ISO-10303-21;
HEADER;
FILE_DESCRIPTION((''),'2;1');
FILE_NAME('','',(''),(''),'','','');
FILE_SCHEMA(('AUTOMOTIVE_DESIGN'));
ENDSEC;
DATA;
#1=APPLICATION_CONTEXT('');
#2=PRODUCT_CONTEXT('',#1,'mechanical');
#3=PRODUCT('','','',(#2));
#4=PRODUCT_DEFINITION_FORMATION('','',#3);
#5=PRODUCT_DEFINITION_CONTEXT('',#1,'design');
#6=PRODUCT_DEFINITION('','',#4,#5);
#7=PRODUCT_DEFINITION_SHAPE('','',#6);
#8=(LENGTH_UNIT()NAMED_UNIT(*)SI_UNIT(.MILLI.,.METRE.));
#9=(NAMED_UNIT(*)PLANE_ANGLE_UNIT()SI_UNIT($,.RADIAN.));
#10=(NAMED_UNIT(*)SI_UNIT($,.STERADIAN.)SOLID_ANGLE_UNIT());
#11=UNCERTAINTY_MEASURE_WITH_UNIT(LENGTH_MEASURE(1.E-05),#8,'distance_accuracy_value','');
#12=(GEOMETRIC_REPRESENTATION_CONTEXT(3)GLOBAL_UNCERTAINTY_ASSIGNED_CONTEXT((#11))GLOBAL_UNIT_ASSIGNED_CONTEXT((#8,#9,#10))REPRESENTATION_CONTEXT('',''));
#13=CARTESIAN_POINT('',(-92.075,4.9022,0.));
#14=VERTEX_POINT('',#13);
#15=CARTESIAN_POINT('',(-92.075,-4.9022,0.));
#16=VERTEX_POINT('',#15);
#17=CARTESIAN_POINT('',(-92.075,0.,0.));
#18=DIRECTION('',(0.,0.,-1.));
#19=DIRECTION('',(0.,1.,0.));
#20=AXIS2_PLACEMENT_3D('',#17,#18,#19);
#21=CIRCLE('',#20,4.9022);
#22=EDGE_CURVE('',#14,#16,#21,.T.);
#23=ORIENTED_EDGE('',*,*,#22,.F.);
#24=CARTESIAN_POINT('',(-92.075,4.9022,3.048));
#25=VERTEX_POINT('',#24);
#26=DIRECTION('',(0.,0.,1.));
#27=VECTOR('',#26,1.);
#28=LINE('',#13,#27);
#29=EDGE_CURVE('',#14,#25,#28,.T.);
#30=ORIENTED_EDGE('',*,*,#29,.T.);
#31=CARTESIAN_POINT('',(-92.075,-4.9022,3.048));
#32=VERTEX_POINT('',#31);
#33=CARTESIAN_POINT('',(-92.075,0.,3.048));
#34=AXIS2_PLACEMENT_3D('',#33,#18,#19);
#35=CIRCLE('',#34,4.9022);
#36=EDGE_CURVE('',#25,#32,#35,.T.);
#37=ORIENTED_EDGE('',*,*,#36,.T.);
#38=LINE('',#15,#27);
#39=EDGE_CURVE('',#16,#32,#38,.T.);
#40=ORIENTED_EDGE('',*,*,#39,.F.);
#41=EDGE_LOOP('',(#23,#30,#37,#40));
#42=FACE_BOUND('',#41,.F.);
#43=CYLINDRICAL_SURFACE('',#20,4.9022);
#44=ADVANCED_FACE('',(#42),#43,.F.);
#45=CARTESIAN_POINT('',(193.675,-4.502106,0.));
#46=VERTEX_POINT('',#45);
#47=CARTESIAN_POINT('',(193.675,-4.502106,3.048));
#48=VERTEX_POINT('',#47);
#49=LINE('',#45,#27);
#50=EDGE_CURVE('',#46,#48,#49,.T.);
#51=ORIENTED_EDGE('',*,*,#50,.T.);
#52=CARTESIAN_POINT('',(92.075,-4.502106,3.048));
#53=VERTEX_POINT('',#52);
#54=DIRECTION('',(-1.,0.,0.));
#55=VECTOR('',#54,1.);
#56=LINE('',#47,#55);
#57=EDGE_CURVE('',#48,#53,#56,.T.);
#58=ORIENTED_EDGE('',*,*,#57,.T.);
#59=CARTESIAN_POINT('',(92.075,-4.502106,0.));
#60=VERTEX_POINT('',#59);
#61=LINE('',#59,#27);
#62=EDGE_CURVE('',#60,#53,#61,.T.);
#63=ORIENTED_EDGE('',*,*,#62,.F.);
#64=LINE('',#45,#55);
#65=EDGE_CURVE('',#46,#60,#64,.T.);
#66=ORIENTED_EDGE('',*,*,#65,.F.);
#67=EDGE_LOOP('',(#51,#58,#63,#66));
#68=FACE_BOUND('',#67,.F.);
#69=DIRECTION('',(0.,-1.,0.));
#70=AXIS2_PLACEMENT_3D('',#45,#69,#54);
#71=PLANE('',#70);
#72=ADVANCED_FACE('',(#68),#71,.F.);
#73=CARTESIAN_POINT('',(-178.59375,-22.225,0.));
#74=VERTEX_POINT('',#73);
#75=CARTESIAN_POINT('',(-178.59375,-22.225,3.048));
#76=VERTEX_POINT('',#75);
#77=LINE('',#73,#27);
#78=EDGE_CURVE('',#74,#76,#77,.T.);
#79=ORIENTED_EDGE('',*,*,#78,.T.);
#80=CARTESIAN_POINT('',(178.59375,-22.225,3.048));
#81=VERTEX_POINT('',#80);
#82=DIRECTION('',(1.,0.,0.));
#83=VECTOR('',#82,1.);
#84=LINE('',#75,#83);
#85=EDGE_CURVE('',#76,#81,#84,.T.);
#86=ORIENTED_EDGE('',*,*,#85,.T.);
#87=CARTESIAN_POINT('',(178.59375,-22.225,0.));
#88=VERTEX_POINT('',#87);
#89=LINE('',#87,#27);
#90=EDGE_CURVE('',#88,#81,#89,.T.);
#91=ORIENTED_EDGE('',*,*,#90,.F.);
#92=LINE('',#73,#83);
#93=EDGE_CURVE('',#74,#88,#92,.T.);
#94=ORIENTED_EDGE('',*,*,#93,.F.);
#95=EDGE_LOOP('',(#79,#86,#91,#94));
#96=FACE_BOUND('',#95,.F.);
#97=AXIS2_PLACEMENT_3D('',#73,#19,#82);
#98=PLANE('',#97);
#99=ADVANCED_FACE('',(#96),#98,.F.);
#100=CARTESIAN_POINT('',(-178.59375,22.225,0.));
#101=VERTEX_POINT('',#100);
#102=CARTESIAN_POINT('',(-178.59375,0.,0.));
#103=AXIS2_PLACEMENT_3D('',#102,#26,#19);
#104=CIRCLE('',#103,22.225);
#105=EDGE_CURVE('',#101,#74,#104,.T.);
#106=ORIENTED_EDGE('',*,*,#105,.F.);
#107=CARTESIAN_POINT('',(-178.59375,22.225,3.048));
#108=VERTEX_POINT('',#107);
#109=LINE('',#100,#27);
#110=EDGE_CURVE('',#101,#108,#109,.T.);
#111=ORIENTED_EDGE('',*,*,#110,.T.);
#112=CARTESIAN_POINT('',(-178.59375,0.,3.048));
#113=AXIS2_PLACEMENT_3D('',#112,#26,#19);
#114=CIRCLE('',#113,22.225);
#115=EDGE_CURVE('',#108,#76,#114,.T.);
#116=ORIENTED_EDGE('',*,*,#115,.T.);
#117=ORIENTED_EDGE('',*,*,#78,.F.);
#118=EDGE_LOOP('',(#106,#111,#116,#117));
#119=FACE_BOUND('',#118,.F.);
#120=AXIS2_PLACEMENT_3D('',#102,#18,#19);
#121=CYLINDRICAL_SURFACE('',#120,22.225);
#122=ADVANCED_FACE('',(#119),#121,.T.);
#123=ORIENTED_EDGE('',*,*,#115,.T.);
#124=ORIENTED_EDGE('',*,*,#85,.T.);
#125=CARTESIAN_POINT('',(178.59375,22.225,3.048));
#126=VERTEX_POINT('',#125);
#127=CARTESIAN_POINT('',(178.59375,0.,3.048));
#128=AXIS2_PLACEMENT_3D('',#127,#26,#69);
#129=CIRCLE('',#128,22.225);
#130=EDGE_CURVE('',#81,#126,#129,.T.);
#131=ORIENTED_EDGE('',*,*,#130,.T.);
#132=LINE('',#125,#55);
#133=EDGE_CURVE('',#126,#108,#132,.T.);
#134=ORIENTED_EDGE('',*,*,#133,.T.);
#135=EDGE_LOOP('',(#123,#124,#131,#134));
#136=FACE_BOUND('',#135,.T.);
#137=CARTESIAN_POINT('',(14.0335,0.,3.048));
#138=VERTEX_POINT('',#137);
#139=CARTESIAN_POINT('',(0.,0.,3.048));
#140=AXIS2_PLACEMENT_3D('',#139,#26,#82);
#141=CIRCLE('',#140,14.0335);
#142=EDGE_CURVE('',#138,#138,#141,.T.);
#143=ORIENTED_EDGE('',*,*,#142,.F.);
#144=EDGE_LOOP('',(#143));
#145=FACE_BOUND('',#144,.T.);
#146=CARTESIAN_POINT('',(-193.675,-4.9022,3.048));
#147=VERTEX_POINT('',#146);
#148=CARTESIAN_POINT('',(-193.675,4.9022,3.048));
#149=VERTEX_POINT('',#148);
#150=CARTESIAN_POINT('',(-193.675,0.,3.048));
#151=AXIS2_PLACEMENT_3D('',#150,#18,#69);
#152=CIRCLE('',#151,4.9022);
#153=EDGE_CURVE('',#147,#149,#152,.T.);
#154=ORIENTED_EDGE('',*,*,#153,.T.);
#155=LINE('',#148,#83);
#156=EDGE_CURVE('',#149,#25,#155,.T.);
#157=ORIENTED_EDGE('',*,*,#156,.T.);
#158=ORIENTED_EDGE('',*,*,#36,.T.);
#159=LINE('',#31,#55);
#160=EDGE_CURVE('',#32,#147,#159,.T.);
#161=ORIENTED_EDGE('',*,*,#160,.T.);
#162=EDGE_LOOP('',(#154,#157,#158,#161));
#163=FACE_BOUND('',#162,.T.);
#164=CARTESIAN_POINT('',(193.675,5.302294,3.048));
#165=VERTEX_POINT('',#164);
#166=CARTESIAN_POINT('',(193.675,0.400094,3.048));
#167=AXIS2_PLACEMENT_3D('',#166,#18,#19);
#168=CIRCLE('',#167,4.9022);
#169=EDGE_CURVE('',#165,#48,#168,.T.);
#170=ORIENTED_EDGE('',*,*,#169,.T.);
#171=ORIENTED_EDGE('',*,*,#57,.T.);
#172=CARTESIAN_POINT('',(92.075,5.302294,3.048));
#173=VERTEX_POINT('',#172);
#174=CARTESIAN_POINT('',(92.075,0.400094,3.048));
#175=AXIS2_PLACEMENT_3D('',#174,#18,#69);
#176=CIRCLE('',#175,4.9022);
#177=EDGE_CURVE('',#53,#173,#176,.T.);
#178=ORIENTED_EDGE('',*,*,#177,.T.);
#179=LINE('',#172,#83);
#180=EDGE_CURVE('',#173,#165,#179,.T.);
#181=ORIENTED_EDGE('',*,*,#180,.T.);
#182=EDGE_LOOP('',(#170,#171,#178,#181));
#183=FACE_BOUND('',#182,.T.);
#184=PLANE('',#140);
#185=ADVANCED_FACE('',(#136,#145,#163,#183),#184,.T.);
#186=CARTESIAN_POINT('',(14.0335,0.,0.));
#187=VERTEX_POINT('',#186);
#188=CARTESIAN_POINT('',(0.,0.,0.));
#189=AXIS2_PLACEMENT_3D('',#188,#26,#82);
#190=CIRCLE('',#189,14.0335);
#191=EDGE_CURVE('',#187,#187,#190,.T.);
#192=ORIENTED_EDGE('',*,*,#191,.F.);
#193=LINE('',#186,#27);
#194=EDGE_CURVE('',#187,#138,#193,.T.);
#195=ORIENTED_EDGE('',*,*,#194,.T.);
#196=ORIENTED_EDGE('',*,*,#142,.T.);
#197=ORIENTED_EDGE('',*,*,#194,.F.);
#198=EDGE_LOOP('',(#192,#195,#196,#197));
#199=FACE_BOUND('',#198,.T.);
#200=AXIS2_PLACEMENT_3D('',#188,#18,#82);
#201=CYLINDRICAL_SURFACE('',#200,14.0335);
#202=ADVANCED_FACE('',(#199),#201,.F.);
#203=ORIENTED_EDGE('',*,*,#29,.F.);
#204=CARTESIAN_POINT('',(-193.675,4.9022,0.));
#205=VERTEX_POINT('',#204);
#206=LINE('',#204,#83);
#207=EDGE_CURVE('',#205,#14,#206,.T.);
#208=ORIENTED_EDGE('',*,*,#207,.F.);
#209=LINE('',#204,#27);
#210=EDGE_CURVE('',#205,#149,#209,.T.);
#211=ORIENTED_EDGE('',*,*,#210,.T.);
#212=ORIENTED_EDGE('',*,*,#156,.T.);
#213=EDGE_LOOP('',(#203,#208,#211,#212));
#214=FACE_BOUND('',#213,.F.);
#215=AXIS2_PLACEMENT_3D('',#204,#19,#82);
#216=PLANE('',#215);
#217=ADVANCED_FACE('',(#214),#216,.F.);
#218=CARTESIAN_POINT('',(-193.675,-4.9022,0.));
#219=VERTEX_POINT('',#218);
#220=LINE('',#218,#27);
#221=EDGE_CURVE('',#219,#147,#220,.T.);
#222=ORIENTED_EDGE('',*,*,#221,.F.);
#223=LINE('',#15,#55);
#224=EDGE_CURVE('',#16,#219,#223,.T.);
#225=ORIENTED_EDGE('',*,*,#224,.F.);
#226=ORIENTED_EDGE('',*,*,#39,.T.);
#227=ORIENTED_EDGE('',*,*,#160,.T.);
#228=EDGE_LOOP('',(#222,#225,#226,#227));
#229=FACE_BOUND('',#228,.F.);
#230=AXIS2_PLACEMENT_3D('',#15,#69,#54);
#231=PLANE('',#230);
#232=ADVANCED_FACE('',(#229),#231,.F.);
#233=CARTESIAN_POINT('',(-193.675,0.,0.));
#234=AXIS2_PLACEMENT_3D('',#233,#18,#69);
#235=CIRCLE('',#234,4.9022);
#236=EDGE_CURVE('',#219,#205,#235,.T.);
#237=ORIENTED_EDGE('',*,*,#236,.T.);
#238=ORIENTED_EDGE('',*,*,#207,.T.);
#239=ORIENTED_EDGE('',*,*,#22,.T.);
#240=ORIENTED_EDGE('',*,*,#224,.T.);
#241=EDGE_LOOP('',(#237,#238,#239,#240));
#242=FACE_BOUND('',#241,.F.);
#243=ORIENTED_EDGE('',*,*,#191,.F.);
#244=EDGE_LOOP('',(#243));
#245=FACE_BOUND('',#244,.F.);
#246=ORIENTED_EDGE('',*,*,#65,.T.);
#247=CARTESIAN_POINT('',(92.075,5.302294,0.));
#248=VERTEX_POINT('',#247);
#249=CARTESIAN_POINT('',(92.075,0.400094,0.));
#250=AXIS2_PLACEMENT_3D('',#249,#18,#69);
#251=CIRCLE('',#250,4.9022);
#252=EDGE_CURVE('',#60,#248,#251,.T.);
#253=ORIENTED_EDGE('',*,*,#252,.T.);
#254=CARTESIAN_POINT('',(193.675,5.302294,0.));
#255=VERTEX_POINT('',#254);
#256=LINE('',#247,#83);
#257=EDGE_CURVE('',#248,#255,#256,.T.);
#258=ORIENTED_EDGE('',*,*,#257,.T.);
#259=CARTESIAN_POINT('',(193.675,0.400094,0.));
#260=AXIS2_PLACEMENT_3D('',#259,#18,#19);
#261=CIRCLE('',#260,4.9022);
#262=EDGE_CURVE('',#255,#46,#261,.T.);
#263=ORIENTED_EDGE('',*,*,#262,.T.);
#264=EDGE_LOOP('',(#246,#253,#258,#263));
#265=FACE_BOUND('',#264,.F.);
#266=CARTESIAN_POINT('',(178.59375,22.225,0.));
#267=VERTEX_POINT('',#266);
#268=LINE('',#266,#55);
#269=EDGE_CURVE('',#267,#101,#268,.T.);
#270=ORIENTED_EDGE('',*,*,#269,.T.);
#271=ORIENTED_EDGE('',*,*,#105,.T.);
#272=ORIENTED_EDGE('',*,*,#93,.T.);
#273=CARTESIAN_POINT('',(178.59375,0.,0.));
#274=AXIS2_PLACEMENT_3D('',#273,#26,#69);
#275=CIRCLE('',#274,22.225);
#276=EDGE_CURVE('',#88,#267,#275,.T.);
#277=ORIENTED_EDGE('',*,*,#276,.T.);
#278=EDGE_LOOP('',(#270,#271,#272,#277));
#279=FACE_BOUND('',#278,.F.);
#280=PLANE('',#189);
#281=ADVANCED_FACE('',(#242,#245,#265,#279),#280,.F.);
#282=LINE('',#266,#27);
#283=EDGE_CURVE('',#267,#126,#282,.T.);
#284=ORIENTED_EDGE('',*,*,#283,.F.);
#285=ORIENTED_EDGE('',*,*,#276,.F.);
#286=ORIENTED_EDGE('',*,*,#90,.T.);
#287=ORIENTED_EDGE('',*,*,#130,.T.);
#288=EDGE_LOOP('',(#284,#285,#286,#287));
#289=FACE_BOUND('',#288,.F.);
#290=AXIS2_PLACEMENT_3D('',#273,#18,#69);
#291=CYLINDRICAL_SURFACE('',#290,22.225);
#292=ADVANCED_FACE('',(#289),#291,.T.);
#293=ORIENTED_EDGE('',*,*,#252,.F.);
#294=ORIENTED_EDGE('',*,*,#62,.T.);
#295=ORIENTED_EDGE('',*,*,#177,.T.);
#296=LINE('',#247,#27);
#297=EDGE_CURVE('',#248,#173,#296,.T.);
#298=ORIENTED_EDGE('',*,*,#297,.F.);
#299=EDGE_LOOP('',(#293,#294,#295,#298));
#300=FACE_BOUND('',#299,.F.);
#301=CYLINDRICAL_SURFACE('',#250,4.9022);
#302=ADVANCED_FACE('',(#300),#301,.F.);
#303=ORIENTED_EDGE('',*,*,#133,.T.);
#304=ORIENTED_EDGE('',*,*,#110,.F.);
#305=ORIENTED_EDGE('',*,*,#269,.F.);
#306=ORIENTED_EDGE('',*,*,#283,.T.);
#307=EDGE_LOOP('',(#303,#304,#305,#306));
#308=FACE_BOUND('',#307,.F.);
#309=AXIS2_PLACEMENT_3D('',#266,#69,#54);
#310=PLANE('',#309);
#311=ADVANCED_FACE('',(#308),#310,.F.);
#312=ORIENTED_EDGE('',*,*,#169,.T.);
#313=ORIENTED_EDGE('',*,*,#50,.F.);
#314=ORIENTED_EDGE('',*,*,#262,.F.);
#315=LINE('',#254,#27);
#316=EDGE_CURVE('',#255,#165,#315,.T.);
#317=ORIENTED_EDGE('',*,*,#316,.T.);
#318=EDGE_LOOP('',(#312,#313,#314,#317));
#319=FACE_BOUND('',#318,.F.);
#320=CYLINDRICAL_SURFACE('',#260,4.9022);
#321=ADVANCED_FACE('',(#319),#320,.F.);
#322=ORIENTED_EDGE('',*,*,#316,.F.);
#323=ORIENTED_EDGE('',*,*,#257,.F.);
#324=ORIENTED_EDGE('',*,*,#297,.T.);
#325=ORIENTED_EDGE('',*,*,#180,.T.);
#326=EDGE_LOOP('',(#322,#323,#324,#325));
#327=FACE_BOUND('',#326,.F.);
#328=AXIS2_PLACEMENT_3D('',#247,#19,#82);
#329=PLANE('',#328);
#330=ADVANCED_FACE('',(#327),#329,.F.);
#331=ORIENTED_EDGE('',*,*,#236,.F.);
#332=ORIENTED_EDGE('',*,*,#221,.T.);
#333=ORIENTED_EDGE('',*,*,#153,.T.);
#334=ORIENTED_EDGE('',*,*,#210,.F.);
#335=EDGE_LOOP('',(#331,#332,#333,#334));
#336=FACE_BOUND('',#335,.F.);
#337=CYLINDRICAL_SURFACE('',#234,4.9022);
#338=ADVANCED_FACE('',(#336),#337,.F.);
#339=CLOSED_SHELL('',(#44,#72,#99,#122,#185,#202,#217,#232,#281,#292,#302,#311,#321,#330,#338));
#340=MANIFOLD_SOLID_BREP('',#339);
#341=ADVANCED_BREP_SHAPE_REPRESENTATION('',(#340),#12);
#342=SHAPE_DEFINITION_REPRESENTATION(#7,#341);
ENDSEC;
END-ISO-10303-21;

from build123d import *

# Parameters (mm, degrees)
F0_R     = 14.0335
F1_DEPTH = 3.048


with BuildPart() as f1:
    # F0 (on Top) → F1 (new body)
    with BuildSketch(Plane.XY):
        with BuildLine():
            Line((-178.59375, -22.225), (178.59375, -22.225))
            ThreePointArc((178.59375, -22.225), (200.81875, 0), (178.59375, 22.225))
            Line((178.59375, 22.225), (-178.59375, 22.225))
            ThreePointArc((-178.59375, 22.225), (-200.81875, 0), (-178.59375, -22.225))
        make_face()
        with BuildLine():
            ThreePointArc((-193.675, -4.9022), (-198.5772, 0), (-193.675, 4.9022))
            Line((-193.675, 4.9022), (-92.075, 4.9022))
            ThreePointArc((-92.075, 4.9022), (-87.1728, 0), (-92.075, -4.9022))
            Line((-92.075, -4.9022), (-193.675, -4.9022))
        make_face(mode=Mode.SUBTRACT)
        Circle(F0_R, mode=Mode.SUBTRACT)
        with BuildLine():
            ThreePointArc((92.075, -4.502106), (87.1728, 0.400094), (92.075, 5.302294))
            Line((92.075, 5.302294), (193.675, 5.302294))
            ThreePointArc((193.675, 5.302294), (198.5772, 0.400094), (193.675, -4.502106))
            Line((193.675, -4.502106), (92.075, -4.502106))
        make_face(mode=Mode.SUBTRACT)
    extrude(amount=F1_DEPTH)


solid = f1.part
